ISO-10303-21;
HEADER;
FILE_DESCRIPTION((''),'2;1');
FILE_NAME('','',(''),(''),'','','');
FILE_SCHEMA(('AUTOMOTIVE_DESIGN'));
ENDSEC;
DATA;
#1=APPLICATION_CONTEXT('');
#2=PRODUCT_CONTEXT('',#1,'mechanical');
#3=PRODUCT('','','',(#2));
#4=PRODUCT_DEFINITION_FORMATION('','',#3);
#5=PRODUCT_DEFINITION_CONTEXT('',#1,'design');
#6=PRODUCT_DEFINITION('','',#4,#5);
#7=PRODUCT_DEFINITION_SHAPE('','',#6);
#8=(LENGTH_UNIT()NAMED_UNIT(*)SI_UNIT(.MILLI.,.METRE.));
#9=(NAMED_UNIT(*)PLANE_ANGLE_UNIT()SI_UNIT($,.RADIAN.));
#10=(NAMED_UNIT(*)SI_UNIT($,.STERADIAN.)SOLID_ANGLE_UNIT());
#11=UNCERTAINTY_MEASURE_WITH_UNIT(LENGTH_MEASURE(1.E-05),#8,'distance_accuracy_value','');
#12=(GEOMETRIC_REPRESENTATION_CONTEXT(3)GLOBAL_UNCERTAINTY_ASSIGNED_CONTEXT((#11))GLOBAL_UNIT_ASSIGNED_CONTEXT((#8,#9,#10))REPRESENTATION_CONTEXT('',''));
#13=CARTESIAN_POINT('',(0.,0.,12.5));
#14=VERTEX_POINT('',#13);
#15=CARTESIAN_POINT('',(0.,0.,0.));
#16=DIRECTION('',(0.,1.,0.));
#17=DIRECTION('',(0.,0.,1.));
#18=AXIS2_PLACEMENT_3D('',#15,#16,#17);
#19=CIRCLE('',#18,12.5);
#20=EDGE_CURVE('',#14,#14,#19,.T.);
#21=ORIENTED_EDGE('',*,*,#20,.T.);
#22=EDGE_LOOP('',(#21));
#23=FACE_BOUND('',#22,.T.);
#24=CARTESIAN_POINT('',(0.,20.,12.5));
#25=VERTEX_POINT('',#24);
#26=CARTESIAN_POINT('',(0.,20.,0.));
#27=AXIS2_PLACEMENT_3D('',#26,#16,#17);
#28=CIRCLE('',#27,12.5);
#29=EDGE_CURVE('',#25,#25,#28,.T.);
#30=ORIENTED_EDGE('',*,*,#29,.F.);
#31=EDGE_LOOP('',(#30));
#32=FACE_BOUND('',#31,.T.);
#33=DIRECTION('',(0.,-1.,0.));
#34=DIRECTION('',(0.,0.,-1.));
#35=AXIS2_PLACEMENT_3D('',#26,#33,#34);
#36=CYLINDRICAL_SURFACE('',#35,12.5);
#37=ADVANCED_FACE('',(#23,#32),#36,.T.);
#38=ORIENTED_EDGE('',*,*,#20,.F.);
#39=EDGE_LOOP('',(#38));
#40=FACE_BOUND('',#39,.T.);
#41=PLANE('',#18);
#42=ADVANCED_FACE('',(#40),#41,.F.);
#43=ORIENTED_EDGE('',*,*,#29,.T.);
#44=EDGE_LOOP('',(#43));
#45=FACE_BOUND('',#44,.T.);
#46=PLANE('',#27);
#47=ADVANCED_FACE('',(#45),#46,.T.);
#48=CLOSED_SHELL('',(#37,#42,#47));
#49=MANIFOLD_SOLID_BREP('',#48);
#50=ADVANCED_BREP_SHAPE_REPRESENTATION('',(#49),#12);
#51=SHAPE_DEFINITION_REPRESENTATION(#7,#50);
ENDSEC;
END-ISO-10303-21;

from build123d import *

# Parameters (mm, degrees)
SKETCH1_R           = 12.5
BOSS_EXTRUDE1_DEPTH = 20


with BuildPart() as part:
    # Sketch1 → Boss-Extrude1 (new body)
    with BuildSketch(Plane(origin=(0, 0, 0), x_dir=(1, 0, 0), z_dir=(0, 1, 0))):
        Circle(SKETCH1_R)
    extrude(amount=BOSS_EXTRUDE1_DEPTH)


solid = part.part
